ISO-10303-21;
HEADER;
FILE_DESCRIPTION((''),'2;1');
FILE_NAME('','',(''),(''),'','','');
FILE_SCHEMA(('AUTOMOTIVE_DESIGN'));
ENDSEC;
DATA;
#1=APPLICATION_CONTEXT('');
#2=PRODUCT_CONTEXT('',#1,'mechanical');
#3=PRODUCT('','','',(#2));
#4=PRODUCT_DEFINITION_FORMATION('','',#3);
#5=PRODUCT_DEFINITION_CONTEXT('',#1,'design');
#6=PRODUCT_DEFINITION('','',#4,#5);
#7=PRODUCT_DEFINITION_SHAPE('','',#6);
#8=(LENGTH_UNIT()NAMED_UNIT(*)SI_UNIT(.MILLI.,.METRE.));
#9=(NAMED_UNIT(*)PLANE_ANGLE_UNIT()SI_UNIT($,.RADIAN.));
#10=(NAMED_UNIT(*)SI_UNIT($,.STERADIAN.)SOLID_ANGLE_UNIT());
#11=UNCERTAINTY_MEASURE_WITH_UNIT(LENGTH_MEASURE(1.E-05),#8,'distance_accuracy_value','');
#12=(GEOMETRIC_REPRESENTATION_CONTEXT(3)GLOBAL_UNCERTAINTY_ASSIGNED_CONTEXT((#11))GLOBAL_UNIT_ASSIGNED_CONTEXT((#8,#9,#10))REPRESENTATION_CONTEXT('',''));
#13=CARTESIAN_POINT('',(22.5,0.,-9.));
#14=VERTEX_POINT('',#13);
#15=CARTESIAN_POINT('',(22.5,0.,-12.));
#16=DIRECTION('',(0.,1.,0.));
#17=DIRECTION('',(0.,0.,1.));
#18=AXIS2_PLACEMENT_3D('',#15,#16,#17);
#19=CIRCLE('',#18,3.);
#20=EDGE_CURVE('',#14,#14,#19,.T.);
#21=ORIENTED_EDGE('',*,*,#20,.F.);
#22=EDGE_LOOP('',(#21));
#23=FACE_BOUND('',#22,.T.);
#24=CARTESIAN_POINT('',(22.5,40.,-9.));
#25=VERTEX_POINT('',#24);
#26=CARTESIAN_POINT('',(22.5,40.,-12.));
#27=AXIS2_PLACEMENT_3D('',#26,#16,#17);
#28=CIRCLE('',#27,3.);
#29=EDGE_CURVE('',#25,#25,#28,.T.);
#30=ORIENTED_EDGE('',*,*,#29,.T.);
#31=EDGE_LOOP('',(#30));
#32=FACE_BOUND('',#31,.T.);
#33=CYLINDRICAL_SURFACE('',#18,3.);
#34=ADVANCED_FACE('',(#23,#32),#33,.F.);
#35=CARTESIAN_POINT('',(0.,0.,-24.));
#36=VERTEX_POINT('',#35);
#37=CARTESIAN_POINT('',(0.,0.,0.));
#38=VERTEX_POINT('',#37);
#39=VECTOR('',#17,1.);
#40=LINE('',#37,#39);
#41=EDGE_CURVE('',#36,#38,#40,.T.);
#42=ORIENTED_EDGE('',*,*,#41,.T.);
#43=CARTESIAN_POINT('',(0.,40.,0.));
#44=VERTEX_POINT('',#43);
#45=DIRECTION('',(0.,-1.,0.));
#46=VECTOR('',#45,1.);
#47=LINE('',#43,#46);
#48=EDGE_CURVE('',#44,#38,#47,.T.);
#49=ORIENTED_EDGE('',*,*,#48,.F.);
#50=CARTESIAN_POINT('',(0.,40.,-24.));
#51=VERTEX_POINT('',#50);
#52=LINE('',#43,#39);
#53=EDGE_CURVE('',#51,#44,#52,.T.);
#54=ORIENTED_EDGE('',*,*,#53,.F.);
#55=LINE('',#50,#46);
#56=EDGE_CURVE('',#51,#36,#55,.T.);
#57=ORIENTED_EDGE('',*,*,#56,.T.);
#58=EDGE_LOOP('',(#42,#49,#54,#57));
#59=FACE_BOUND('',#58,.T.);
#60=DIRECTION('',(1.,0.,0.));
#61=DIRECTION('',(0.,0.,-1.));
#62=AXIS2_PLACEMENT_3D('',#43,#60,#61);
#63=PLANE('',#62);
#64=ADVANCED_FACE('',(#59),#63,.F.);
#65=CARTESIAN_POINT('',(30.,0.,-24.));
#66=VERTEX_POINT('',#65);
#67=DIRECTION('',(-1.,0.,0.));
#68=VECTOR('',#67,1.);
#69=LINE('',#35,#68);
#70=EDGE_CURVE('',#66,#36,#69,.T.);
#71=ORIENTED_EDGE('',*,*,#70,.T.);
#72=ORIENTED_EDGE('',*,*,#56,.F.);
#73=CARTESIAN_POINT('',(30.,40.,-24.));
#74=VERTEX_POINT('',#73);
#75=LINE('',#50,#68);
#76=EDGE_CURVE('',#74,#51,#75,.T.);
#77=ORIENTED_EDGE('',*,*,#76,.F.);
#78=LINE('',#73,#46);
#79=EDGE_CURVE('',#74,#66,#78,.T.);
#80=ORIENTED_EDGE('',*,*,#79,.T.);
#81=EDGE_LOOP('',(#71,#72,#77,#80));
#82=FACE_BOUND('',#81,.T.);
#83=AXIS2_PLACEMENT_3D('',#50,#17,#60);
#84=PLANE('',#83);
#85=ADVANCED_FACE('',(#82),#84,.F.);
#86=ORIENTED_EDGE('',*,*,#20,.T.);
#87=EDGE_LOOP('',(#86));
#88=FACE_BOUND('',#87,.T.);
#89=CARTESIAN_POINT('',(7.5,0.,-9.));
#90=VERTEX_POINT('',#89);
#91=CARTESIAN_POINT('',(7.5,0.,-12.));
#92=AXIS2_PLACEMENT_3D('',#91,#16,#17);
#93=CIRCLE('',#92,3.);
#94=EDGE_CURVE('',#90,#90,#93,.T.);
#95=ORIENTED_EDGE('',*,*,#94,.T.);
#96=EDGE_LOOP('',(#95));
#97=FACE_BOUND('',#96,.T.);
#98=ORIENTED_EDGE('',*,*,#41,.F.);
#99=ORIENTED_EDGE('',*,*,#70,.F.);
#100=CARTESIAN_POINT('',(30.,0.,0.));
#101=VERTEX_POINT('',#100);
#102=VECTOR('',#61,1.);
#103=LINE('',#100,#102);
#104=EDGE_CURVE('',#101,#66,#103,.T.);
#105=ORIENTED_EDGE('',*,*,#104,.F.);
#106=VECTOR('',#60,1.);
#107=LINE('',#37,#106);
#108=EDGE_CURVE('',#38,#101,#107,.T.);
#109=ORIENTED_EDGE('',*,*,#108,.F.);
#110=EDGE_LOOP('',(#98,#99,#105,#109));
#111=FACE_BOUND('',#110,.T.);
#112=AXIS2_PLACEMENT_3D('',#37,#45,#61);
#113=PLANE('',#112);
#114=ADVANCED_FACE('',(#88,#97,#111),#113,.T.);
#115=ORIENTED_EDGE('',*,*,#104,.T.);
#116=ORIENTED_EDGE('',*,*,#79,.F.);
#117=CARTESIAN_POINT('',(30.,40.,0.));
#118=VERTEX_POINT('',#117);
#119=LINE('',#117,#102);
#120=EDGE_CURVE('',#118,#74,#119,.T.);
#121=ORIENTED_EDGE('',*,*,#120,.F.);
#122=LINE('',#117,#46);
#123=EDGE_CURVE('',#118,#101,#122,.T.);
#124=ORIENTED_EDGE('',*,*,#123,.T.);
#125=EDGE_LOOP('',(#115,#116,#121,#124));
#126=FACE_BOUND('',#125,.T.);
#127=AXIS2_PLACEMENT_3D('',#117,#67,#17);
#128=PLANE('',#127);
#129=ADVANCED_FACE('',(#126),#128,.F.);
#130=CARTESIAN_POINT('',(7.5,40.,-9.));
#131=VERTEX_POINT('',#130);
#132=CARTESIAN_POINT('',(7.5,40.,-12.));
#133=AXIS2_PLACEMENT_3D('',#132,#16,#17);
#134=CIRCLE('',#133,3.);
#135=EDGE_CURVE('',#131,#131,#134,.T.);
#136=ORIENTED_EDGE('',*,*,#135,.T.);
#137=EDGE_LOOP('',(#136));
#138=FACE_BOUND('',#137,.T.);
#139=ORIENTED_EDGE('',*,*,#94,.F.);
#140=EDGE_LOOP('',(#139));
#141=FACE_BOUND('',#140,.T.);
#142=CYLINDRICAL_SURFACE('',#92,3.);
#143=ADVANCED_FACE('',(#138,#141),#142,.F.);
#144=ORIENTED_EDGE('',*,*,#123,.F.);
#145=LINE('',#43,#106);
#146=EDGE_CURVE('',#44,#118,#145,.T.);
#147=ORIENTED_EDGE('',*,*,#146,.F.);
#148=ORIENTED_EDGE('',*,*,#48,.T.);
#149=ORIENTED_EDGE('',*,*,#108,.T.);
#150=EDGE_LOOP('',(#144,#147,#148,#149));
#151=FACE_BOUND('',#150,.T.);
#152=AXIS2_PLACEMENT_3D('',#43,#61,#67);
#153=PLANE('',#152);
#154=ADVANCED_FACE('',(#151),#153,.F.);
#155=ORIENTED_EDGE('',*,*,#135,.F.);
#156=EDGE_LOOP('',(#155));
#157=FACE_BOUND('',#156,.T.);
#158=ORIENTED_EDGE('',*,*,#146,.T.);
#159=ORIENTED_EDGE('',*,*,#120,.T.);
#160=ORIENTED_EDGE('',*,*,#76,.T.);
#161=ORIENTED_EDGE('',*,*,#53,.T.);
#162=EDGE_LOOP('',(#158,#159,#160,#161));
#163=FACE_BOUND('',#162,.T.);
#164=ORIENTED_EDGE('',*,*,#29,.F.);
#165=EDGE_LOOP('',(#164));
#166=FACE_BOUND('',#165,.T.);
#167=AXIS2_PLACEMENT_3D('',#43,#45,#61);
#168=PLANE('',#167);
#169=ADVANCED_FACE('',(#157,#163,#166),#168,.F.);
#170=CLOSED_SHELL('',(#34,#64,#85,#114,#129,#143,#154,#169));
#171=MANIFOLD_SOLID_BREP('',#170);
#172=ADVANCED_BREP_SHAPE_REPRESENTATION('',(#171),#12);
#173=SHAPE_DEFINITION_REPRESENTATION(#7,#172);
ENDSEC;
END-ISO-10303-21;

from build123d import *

# Parameters (mm, degrees)
SKETCH1_W           = 30
SKETCH1_H           = 24
BOSS_EXTRUDE1_DEPTH = 40
SKETCH2_R           = 3
CUT_EXTRUDE1_DEPTH  = 56.461698495


with BuildPart() as part:
    # Sketch1 → Boss-Extrude1 (new body)
    with BuildSketch(Plane(origin=(0, 0, 0), x_dir=(1, 0, 0), z_dir=(0, 1, 0))):
        with Locations((15, 12)):
            Rectangle(SKETCH1_W, SKETCH1_H)
    extrude(amount=BOSS_EXTRUDE1_DEPTH)

    # Sketch2 → Cut-Extrude1 (cut, through all)
    with BuildSketch(Plane(origin=(0, 40, 0), x_dir=(1, 0, 0), z_dir=(0, 1, 0))):
        with Locations(Location((7.5, 12, 0), (0, 0, 270))):
            Circle(SKETCH2_R)
        with Locations(Location((22.5, 12, 0), (0, 0, 270))):
            Circle(SKETCH2_R)
    extrude(amount=-CUT_EXTRUDE1_DEPTH, mode=Mode.SUBTRACT)


solid = part.part
